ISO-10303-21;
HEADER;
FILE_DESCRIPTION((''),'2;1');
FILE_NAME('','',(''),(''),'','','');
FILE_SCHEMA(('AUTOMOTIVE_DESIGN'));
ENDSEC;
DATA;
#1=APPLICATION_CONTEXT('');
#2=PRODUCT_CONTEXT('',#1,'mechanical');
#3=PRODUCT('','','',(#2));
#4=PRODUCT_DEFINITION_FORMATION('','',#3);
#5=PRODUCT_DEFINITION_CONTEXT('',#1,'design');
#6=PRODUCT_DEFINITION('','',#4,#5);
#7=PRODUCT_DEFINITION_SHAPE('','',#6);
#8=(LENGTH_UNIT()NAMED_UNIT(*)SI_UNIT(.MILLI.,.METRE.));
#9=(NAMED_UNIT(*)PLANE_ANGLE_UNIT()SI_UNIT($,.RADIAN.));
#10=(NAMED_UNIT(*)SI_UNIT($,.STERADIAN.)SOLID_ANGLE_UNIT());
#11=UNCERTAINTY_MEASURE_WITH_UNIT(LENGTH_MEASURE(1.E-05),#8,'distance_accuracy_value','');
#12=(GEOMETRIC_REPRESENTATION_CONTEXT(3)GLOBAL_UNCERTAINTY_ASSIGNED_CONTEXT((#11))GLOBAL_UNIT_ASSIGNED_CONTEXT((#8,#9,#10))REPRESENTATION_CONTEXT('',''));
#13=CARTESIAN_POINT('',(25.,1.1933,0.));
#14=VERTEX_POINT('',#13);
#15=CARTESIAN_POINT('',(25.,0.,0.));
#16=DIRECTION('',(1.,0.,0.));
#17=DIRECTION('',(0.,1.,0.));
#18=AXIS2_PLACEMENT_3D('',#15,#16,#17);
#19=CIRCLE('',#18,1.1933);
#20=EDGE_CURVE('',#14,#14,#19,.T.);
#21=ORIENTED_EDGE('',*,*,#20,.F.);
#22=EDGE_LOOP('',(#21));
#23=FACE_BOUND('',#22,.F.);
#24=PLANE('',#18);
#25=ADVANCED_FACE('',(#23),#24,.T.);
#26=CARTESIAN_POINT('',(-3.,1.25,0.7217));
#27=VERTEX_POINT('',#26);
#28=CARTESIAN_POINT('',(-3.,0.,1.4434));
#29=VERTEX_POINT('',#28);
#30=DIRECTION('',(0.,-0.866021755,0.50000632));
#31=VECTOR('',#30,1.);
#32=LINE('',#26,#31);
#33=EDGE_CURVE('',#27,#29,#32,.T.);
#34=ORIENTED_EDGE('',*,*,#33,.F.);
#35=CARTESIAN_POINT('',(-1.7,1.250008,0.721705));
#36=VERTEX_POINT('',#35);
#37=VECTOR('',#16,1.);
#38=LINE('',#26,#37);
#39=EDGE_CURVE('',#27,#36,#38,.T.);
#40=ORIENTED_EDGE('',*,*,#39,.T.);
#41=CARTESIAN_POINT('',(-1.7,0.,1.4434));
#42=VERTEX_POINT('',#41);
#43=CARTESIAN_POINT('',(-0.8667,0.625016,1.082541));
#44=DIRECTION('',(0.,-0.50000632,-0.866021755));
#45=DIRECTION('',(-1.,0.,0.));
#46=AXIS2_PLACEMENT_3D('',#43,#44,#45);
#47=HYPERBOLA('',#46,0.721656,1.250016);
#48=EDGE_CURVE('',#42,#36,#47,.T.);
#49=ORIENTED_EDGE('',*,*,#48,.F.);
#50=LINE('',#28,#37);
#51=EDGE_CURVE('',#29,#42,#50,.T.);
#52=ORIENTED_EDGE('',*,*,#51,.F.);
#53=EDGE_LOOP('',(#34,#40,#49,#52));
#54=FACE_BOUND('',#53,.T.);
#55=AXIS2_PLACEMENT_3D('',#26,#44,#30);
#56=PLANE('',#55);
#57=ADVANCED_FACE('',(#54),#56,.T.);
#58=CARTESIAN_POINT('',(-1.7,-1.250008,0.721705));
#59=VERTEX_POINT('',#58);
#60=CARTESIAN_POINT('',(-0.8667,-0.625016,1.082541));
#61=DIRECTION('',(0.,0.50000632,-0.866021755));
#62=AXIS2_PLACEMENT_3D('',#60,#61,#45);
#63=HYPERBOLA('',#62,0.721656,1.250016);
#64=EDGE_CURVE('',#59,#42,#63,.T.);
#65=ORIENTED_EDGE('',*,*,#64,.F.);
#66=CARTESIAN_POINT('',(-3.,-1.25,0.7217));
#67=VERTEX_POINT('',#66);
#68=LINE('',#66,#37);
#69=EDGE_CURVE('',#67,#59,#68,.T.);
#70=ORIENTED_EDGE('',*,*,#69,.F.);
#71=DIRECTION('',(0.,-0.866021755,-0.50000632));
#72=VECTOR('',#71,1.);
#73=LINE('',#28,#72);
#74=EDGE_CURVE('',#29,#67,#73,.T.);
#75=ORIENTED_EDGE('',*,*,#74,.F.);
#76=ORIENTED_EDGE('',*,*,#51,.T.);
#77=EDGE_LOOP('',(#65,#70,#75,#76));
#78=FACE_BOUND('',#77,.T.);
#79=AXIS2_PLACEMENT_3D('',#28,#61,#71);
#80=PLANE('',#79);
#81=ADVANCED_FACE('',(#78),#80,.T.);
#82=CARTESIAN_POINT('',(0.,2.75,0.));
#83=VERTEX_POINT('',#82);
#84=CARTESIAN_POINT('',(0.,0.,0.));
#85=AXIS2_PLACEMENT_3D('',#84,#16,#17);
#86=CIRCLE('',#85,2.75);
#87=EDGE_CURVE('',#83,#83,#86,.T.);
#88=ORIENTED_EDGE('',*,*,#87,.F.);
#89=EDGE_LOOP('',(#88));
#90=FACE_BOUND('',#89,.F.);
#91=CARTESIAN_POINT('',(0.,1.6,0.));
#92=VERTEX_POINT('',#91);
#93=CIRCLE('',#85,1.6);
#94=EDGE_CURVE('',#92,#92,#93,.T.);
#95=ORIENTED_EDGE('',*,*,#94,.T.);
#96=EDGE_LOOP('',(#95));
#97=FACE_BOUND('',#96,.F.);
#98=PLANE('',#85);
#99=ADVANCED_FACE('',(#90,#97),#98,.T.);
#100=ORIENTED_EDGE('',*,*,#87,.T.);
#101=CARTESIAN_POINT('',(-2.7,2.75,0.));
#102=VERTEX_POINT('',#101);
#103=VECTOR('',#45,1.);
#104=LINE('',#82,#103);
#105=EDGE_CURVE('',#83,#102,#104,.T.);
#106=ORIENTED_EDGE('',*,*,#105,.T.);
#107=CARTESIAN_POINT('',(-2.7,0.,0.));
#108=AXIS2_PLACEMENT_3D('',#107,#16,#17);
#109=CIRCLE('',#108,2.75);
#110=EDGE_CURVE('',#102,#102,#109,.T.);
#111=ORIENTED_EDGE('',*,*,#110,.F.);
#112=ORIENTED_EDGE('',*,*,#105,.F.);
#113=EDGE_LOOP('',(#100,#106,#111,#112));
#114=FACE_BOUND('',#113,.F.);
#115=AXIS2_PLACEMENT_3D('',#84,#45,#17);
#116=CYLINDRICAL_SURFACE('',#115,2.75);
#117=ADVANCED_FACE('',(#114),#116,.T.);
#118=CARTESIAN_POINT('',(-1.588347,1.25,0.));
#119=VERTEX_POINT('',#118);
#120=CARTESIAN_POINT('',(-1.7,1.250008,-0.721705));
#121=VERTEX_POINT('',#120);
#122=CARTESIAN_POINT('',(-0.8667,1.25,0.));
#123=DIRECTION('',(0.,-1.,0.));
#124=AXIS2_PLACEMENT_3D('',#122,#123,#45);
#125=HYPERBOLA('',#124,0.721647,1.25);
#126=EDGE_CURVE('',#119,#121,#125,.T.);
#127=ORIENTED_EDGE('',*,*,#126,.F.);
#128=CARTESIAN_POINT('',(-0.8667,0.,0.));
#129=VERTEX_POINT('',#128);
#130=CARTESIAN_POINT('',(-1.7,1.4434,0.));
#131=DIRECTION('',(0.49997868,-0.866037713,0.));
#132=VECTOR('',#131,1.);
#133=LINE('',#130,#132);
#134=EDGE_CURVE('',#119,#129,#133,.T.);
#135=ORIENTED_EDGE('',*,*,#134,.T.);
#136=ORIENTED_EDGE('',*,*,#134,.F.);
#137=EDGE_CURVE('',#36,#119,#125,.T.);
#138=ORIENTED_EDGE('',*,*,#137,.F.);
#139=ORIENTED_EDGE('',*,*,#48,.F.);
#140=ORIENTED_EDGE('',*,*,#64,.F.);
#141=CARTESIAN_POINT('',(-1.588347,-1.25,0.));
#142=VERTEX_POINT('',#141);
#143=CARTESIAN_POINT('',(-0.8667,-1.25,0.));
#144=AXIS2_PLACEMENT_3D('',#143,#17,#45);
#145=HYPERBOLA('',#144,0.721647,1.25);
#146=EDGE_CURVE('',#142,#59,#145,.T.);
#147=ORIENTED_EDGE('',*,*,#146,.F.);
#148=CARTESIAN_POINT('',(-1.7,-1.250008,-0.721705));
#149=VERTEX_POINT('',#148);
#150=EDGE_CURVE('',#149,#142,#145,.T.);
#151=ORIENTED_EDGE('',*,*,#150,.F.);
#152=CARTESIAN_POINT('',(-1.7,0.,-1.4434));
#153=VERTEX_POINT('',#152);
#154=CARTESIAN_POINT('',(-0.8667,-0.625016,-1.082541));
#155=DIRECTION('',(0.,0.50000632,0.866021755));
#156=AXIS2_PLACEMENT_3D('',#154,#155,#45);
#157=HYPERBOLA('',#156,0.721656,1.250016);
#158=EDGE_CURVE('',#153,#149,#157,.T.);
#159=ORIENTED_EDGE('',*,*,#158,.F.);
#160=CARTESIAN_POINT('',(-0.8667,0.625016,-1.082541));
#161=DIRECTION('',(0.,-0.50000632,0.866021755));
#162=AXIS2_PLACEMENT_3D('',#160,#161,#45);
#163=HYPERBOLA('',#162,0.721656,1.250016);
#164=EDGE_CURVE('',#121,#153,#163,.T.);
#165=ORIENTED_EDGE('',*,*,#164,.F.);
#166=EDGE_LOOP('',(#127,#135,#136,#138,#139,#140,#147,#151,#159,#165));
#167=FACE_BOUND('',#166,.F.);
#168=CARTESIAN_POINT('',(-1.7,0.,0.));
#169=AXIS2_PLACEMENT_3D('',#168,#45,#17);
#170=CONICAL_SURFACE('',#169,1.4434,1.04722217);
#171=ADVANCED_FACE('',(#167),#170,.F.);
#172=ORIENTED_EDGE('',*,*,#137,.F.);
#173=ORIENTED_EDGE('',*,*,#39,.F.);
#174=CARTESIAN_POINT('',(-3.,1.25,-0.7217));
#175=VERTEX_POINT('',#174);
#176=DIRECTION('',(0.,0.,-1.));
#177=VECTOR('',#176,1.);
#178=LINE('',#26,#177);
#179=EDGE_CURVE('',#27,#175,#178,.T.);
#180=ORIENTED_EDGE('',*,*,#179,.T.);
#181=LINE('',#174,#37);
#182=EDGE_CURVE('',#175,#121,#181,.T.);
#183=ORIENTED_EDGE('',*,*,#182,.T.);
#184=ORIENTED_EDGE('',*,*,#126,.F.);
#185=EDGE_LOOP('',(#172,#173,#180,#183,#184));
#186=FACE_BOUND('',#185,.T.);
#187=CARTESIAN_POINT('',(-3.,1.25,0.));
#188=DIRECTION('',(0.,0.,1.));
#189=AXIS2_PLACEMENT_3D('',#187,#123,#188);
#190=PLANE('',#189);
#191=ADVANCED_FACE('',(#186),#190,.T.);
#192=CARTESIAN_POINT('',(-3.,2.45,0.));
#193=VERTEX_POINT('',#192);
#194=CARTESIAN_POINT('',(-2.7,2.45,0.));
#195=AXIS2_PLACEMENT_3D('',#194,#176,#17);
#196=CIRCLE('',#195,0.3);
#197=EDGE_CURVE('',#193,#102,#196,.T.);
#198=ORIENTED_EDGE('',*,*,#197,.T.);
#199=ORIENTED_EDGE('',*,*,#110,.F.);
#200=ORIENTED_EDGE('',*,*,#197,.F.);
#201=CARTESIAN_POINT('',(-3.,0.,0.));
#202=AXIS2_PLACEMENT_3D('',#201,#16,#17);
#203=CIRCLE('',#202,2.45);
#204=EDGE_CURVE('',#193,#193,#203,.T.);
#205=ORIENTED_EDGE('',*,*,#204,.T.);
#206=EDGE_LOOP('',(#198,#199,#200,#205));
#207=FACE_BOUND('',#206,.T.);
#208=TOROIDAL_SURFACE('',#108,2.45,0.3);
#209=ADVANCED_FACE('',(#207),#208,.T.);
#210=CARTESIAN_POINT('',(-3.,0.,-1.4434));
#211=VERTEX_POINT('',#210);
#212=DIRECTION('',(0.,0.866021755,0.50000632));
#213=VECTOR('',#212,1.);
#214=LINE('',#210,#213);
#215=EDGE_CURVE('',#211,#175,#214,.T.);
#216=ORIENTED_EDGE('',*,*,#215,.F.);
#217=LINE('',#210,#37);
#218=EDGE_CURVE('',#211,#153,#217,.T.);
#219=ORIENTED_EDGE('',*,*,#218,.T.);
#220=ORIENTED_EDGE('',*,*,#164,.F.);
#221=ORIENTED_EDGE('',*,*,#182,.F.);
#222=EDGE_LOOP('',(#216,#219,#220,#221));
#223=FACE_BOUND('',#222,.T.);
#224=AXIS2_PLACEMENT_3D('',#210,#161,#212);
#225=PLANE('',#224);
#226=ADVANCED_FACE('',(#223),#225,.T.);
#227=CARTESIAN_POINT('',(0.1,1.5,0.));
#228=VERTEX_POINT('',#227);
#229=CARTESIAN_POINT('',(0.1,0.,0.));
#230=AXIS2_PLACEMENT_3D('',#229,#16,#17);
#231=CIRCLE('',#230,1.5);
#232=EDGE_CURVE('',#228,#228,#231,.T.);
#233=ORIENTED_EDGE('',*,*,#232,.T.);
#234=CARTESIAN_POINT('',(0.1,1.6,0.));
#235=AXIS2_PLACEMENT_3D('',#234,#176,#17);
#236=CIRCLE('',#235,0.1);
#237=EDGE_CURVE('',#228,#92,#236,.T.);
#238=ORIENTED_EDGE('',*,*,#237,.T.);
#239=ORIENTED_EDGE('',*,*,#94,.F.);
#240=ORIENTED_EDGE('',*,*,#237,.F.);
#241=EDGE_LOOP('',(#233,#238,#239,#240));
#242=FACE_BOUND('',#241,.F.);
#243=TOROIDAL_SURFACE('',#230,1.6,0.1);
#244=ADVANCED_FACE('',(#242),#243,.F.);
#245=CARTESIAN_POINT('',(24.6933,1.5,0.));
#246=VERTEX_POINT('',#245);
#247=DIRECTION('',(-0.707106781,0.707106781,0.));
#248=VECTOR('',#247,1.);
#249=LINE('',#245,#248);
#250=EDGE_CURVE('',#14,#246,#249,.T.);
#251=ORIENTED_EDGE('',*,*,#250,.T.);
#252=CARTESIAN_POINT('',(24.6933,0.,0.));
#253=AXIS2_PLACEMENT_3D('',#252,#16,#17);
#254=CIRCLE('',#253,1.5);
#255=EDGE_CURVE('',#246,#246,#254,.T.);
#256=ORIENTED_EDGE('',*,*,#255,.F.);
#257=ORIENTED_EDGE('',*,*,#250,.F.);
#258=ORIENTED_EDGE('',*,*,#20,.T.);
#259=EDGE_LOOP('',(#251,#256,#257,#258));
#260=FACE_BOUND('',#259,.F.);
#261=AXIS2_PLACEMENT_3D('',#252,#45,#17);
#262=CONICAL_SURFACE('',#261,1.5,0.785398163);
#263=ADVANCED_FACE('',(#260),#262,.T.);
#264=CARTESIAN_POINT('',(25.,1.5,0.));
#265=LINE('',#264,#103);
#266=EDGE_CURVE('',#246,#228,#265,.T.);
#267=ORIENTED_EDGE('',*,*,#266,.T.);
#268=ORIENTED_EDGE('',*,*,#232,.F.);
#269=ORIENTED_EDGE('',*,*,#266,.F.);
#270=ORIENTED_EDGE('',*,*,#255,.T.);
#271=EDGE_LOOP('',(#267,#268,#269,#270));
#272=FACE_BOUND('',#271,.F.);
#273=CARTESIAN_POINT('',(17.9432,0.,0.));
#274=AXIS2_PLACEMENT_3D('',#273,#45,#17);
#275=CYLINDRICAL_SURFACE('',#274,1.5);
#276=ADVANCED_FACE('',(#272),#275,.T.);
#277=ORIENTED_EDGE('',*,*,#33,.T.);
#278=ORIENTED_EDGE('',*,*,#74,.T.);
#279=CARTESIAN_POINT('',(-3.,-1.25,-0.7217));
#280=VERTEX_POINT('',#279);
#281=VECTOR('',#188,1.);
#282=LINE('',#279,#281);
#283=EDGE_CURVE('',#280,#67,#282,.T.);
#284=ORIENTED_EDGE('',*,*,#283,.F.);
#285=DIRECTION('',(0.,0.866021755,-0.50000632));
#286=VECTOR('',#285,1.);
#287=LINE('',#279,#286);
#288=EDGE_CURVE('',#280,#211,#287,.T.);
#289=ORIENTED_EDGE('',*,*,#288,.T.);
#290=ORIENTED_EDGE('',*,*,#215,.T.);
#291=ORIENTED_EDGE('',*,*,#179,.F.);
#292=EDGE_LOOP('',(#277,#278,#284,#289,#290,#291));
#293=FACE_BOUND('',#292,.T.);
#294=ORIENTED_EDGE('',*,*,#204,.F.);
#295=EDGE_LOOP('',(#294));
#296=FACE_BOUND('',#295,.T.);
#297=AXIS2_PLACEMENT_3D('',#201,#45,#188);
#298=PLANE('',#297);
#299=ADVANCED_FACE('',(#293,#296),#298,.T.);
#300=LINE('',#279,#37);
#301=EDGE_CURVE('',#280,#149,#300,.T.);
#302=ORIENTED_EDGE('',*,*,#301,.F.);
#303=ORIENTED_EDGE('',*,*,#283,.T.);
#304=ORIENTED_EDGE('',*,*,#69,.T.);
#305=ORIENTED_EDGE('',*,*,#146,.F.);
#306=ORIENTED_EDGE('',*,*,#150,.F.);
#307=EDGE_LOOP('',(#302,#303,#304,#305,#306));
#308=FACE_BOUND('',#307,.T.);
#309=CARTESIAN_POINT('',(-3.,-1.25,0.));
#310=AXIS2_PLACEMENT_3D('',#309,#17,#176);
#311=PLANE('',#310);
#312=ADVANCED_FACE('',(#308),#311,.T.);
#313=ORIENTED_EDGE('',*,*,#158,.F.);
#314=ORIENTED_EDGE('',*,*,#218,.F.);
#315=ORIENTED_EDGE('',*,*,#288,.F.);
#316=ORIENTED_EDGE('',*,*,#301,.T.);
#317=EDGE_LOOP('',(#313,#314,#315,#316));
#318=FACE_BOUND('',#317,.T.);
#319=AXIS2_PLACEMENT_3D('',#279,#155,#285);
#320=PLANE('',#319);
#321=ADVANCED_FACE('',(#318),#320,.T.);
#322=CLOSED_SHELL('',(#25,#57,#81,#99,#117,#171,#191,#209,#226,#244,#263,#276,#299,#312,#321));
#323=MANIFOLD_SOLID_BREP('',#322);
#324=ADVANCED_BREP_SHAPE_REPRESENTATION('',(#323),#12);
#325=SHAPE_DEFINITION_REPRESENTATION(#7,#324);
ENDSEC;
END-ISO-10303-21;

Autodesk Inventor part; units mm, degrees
ref_plane "YZ Plane" through (0, 0, 0) normal (1, 0, 0) x (0, 1, 0)
ref_plane "XZ Plane" through (0, 0, 0) normal (0, 1, 0) x (-1, 0, 0)
sketch "Sketch1" plane through (0, 0, 0) normal (0, 0, 1) x (1, 0, 0)
  line L0 (-0.8667, 0) -> (25, 0)
  line L1 (25, 0) -> (25, 1.5)
  line L2 (25, 1.5) -> (18.25, 1.5)
  line L3 (18.25, 1.5) -> (17.9432, 1.5)
  line L4 (17.9432, 1.5) -> (0, 1.5)
  line L5 (0, 1.5) -> (0, 2.75)
  line L6 (0, 2.75) -> (-3, 2.75)
  line L7 (-3, 2.75) -> (-3, 1.4434)
  line L8 (-3, 1.4434) -> (-1.7, 1.4434)
  line L9 (-1.7, 1.4434) -> (-0.8667, 0)
  line L10 (-8.6, 0) -> (30.6, 0) projected
  line L11 (0, -0.55) -> (0, 3.3) projected
  line L12 (18.25, 1.5) -> (0, 1.5) construction
  dimension "d1" = 6.75
  dimension "d2" = 0.3068
  dimension "d3" = 3
  dimension "d4" = 1.3
  dimension "d5" = 60
  dimension "d6" = 3
  dimension "d7" = 3
  dimension "d8" = 2.8868
  dimension "d9" = 5.5
  dimension "d26" = 25
revolve "Body" add sketch "Sketch1" angle 360 about axis through (-0.8667, 0, 0) along (1, 0, 0)
sketch "Sketch2" plane through (-3, 0, 0) normal (-1, 0, 0) x (0, 0, 1)
  circle A0 centre (0, 0) radius 1.4434 projected
  line L0 (0, -3.85) -> (0, 3.85) projected
  line L1 (-3.85, 0) -> (3.85, 0) projected
  line L2 (1.4434, 0) -> (0.7217, -1.25)
  line L3 (0.7217, -1.25) -> (-0.7217, -1.25)
  line L4 (-0.7217, -1.25) -> (-1.4434, 0)
  line L5 (-1.4434, 0) -> (-0.7217, 1.25)
  line L6 (-0.7217, 1.25) -> (0.7217, 1.25)
  line L7 (0.7217, 1.25) -> (1.4434, 0)
extrude "Slot" add sketch "Sketch2" against normal up to next contours L7 A0 | A0 L2 | L6 L0 A0 | A0 L0 L3 | L0 L6 A0 | A0 L3 L0 | L4 A0 | A0 L5
fillet "Fillet1" radius 0.3 1 edges at (-3, -2.75, 0)
thread "Thread" size "M3x0.5" class "6g" standard "ISO Metric profile" length 6.75
chamfer "Chamfer1" distance 0.3067 distance2 0.3067 1 edges at (25, -1.5, 0) measured on face at (25, 0.2885, 0.9187)
ref_plane "Work Plane1" through (29, 0, 0) normal (0, -1, 0) x (1, 0, 0)
fillet "Fillet2" radius 0.1 1 edges at (0, -1.5, 0)
equation "\"d1\" = GEL"
equation "\"d3\" = KOH"
equation "\"d4\" = INTI"
equation "\"d6\" = GD"
equation "\"d7\" = BDM"
equation "\"d8\" = 1.1547 * SW"
equation "\"d9\" = KOD"
equation "\"d17\" = RR"
equation "\"d13\" = GEL"
equation "\"d15\" = -0.5 * SPD + 0.5 * GD"
equation "\"d16\" = GUL"
equation "\"d30\" = R"
equation "\"GD\" = NND"
equation "\"NLG\" = 8"
equation "\"GEL\" = 6.75"
equation "\"KOD\" = 5.5"
equation "\"KOH\" = NND"
equation "\"INTI\" = 1.3"
equation "\"GAL\" = 0.61345 * PTC"
equation "\"GUL\" = 0.61345 * PTC"
equation "\"BDM\" = NND"
equation "\"SW\" = 2.5"
equation "\"RR\" = 0.1 * NND"
equation "\"SPD\" = NND - 1.2269 * PTC"
equation "\"R\" = 0.1"
equation "\"PHH\" = 0.13"
equation "\"GD1\" = THREADDIA - 1.2269 * PTC"
equation "\"THREADDIA\" = 3"
equation "\"FAWI\" = 45deg"
equation "\"PTC\" = 0.5"
equation "\"KOH1\" = 2.7"
equation "\"NND\" = 3"
equation "\"TOA\" = 30deg"
equation "\"E0\" = 1.155 * SW"
properties part number "AS 1420 - 1973 - M3 x 8" material "Steel, Mild"
